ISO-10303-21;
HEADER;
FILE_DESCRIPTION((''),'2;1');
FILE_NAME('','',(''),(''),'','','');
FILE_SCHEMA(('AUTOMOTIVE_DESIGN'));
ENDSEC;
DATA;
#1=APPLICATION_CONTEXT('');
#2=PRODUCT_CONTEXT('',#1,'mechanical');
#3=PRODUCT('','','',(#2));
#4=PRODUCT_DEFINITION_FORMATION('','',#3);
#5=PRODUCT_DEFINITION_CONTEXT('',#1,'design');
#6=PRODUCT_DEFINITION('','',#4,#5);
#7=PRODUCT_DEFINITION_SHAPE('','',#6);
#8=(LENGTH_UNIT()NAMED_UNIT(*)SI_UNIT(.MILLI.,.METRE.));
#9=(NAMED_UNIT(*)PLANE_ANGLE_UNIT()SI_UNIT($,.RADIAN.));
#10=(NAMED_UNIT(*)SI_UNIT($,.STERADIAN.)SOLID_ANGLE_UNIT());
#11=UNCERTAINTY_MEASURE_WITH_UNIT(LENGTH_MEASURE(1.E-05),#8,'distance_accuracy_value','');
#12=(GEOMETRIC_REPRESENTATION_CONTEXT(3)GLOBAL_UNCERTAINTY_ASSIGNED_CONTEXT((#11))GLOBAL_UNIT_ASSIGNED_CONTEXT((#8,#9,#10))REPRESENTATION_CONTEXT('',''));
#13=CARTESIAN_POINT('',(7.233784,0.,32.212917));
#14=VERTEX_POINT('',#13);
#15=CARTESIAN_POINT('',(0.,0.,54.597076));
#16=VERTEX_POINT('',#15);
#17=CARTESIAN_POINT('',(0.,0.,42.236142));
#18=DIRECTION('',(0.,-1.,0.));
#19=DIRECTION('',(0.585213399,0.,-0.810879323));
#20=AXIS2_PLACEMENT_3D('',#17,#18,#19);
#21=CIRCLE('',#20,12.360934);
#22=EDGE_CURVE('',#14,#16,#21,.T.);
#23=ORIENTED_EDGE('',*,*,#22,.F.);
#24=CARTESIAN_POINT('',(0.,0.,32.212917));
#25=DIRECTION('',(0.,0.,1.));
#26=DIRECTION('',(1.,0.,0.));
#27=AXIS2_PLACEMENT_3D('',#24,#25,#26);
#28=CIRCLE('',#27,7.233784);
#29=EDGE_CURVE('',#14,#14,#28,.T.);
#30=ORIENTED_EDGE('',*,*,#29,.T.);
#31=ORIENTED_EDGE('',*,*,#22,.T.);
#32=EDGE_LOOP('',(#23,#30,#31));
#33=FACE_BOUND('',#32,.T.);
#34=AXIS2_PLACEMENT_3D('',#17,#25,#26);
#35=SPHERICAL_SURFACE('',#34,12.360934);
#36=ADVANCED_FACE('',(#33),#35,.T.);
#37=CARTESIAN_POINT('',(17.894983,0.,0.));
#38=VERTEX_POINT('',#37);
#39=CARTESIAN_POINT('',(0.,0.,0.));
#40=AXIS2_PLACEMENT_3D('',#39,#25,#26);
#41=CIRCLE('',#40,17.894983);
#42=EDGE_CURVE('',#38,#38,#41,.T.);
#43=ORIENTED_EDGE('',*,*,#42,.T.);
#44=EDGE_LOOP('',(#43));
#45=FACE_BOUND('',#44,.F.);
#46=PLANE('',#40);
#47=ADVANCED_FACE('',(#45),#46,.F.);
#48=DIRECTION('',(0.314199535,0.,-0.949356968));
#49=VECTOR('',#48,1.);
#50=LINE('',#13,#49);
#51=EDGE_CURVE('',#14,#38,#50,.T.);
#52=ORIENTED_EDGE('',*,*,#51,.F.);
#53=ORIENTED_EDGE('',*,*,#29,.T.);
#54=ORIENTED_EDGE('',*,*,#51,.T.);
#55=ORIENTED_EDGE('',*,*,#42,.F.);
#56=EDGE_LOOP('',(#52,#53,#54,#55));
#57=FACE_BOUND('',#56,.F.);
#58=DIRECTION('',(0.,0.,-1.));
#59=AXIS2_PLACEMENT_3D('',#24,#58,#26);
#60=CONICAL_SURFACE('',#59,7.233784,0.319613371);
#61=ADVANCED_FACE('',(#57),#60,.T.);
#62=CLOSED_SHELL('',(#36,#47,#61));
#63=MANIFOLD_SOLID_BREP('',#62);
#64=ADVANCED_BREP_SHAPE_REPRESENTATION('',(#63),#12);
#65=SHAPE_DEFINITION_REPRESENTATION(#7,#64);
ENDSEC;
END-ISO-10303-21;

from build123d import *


with BuildPart() as part:
    # Sketch → Revolution (revolve)
    with BuildSketch(Plane.XZ):
        with BuildLine():
            ThreePointArc((7.233784, 32.212917), (11.761996, 46.037212), (0, 54.597076))
            Line((0, 0), (0, 54.597076))
            Line((17.894983, 0), (0, 0))
            Line((7.233784, 32.212917), (17.894983, 0))
        make_face()
    revolve(axis=Axis((0, 0, 0), (0, 0, 1)))


solid = part.part
